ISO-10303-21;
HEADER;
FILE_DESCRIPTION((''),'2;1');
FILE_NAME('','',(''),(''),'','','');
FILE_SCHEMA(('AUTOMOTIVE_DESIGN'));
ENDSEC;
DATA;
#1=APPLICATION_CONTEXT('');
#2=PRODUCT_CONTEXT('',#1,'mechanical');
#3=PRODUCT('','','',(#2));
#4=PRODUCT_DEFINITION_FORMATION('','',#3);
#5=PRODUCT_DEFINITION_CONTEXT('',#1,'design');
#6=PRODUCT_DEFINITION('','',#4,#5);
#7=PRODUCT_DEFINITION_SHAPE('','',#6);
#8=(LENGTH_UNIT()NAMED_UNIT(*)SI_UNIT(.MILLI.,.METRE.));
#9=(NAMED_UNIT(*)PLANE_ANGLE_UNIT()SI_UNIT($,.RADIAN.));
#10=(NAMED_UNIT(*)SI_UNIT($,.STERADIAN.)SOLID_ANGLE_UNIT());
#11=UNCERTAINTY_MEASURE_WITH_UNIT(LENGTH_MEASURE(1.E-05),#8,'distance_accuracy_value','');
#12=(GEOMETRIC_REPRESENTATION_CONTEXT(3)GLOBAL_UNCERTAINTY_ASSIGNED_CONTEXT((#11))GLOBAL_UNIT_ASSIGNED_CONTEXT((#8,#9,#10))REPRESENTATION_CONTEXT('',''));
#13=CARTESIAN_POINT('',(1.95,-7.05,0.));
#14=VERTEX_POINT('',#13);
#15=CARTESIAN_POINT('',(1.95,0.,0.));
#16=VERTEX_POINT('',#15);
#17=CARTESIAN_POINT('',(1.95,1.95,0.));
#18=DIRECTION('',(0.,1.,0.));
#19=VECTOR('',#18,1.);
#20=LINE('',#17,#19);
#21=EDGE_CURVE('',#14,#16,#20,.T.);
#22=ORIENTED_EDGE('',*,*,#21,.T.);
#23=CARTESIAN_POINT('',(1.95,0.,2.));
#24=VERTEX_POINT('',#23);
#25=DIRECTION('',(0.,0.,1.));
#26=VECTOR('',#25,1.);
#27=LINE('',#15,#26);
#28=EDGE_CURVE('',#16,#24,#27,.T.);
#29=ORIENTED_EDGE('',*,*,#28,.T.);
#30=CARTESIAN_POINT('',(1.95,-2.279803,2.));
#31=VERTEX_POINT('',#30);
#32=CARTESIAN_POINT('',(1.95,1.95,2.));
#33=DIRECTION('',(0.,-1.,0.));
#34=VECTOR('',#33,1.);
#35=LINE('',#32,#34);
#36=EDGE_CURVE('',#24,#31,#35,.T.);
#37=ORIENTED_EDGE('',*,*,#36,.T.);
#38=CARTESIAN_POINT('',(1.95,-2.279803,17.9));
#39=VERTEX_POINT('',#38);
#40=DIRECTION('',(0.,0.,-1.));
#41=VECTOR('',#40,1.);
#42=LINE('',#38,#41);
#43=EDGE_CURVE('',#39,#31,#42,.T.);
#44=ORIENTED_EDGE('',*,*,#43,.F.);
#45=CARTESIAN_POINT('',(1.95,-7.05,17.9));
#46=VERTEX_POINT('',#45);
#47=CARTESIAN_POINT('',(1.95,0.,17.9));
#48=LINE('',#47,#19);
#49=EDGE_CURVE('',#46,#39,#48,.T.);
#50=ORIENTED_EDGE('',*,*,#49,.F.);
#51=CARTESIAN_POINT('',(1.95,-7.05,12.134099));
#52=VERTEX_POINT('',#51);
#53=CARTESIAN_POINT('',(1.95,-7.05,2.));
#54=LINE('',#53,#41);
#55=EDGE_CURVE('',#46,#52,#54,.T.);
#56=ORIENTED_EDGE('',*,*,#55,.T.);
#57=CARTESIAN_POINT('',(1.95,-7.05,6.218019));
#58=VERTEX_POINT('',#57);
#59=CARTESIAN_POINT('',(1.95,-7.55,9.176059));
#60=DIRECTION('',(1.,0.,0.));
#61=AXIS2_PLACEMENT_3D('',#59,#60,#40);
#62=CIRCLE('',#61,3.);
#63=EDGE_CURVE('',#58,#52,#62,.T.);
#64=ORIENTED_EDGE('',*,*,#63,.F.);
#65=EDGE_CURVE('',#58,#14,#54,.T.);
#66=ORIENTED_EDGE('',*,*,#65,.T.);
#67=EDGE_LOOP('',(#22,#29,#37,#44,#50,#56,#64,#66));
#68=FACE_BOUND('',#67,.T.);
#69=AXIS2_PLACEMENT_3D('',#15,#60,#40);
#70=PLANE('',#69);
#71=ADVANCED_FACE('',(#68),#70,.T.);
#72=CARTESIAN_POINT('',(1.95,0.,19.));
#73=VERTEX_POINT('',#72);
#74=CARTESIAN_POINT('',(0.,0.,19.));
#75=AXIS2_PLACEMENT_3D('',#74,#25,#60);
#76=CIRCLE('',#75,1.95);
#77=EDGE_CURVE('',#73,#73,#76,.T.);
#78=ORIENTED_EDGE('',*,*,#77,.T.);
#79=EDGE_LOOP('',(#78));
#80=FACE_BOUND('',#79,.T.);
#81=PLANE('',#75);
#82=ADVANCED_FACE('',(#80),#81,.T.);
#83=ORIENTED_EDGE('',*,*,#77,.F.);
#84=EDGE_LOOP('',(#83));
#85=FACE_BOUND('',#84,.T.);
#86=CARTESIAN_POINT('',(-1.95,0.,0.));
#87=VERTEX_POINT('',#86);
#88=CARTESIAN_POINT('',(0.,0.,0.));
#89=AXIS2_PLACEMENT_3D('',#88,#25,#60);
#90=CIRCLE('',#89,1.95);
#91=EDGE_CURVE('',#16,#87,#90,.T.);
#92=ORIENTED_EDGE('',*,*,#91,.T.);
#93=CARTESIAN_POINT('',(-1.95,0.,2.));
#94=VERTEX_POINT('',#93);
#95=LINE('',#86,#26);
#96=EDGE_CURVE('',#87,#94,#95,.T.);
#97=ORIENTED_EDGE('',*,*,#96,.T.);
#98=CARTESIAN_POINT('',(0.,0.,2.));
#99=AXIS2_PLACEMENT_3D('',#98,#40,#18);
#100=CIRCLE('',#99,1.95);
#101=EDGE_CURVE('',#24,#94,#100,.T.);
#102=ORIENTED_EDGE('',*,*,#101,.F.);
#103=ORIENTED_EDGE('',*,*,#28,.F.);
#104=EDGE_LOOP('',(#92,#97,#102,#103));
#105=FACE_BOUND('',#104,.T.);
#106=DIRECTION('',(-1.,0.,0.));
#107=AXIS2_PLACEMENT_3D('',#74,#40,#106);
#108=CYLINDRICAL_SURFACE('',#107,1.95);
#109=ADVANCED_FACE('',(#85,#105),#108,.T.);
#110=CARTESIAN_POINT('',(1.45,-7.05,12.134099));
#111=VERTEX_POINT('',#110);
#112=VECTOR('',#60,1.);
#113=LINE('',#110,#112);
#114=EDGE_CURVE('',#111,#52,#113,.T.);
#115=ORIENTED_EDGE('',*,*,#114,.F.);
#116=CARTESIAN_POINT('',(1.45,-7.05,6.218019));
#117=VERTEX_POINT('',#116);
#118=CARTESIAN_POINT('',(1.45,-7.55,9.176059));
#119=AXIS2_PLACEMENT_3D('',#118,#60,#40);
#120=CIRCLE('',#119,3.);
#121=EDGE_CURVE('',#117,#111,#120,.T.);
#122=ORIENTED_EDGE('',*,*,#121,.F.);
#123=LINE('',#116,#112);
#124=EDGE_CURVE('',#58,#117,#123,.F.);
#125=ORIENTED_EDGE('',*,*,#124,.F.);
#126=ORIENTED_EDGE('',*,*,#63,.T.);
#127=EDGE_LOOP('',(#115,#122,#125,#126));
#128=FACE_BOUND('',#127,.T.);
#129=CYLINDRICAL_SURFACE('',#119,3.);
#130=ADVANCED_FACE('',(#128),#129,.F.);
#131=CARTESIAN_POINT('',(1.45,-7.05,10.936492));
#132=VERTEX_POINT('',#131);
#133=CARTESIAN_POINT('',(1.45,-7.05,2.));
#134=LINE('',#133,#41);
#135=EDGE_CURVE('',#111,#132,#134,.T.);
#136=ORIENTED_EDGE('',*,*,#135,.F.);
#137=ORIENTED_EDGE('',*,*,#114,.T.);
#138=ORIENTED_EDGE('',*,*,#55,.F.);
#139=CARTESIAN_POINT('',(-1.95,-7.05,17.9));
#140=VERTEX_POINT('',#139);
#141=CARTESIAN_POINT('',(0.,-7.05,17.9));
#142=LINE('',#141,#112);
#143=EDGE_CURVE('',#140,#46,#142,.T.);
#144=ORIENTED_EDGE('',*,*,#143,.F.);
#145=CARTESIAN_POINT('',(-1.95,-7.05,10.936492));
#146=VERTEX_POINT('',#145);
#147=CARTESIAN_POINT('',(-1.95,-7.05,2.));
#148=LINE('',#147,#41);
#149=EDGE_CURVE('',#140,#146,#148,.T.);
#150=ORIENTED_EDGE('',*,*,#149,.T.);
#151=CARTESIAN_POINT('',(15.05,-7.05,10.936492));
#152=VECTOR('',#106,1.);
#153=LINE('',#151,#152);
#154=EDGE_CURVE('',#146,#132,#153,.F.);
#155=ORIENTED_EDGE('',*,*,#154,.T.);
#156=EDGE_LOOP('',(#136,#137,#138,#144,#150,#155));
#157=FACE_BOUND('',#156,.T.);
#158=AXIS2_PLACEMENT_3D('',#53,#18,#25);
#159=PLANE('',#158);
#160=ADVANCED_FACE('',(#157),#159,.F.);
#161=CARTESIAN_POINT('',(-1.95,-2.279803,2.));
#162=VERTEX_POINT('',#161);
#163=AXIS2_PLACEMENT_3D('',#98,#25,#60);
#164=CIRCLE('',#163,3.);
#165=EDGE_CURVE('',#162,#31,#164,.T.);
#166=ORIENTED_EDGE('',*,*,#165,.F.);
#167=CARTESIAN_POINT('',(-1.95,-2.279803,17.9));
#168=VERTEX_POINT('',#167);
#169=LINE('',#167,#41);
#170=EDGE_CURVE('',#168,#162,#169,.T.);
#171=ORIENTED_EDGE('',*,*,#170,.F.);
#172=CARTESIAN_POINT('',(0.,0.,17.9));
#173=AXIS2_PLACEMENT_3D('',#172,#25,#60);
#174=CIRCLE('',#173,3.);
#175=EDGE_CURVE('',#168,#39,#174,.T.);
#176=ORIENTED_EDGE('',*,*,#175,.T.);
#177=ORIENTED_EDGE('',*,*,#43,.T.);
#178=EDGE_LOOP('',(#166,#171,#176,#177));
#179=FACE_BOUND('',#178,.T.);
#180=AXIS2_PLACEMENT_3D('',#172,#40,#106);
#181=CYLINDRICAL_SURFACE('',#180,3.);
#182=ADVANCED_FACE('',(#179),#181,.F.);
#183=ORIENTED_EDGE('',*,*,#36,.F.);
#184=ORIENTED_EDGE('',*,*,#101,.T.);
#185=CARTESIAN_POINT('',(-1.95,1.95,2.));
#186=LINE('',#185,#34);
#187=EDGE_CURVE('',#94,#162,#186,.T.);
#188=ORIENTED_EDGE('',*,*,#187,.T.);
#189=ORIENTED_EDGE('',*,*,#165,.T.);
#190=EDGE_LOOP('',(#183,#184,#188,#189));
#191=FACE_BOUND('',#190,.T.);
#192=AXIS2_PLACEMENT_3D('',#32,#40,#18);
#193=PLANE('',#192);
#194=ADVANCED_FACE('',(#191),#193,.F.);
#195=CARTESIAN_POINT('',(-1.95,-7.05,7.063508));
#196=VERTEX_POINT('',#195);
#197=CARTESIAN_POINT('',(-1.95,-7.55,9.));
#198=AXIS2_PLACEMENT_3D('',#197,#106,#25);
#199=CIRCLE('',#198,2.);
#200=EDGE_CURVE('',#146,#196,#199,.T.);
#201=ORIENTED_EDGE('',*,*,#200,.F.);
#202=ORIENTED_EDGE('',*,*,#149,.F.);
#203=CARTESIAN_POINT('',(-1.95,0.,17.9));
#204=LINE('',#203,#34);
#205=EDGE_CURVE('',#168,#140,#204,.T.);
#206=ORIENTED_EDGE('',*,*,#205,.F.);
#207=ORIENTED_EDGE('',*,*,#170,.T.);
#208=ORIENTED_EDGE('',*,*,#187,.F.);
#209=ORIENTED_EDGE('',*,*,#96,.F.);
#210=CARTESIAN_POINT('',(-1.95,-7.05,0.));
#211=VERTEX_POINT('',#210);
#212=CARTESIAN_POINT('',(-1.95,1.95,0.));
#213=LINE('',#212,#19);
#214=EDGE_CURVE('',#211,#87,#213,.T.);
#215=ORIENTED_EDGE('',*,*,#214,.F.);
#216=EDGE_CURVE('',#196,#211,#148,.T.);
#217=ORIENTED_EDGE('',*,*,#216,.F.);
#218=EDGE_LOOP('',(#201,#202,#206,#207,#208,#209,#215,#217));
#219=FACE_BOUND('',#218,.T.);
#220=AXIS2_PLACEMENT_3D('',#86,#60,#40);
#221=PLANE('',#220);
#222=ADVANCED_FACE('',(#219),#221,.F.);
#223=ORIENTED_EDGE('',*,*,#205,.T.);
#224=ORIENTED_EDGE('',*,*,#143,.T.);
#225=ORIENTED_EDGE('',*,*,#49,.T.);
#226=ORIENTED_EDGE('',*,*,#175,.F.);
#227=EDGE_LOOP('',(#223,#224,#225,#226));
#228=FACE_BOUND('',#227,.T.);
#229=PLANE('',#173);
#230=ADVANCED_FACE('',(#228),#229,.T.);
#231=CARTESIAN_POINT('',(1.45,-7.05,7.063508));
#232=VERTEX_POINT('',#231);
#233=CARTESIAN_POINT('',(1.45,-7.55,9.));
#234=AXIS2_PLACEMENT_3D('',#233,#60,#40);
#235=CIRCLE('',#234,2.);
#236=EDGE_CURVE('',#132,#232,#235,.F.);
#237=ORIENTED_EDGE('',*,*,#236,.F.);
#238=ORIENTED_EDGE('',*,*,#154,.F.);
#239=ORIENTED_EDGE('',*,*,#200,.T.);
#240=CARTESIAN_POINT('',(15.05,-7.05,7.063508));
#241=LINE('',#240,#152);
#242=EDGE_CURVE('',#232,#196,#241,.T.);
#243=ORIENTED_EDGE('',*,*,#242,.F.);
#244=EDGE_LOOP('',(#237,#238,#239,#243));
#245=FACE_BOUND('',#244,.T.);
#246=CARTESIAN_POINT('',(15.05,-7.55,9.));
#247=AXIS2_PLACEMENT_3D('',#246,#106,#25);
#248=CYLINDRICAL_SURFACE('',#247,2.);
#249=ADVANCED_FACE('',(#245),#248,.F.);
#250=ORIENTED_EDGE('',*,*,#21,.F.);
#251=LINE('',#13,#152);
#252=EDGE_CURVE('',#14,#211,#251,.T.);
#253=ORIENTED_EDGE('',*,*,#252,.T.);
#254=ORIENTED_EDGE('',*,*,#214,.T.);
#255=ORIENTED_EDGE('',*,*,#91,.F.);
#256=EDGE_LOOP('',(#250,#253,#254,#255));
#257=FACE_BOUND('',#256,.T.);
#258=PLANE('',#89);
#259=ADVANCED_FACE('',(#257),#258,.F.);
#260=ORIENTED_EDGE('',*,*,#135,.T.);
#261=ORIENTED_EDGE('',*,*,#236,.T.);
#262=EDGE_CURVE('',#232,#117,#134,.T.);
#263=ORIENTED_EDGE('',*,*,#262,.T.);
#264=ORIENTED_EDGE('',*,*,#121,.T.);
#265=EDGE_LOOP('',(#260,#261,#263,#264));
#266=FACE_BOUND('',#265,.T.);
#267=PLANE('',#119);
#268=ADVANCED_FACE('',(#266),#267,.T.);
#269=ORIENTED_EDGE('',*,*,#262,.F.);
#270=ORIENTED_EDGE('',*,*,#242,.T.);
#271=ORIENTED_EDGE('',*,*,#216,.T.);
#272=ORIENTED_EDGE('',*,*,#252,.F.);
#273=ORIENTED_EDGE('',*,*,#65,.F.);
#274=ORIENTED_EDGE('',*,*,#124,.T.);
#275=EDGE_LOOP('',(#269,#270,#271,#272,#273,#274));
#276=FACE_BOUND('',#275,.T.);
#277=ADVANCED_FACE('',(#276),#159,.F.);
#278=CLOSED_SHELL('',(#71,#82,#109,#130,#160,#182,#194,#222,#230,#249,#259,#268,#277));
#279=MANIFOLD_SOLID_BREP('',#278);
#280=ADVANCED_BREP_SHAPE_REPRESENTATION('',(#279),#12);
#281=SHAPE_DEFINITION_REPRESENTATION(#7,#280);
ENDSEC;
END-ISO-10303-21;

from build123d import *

# Parameters (mm, degrees)
SKETCH_1_R          = 1.95
EXTRUDE_1_DEPTH     = 19
SKETCH_4_W          = 2
SKETCH_4_H          = 9
EXTRUDE_2_DEPTH     = 1.95
CUT_EXTRUDE_1_DEPTH = 21.359396
EXTRUDE_4_DEPTH     = 15.9
SKETCH_9_R          = 2
CUT_EXTRUDE_2_DEPTH = 17
SKETCH_11_R         = 3
CUT_EXTRUDE_4_DEPTH = 0.5


with BuildPart() as part:
    # 스케치1 → 보스-돌출1 (new body)
    with BuildSketch(Plane.XY):
        Circle(SKETCH_1_R)
    extrude(amount=EXTRUDE_1_DEPTH)

    # 스케치4 → 보스-돌출2 (add, symmetric)
    with BuildSketch(Plane(origin=(0, 0, 0), x_dir=(0, 0, -1), z_dir=(1, 0, 0))):
        with Locations((-1, -2.55)):
            Rectangle(SKETCH_4_W, SKETCH_4_H)
    extrude(amount=EXTRUDE_2_DEPTH, both=True)

    # 스케치5 → 컷-돌출1 (cut, through all)
    with BuildSketch(Plane.XY.offset(19)):
        with BuildLine():
            Line((-1.95, 1.95), (-1.95, 0))
            ThreePointArc((-1.95, 0), (-1.378858, 1.378858), (0, 1.95))
            Line((0, 1.95), (-1.95, 1.95))
        make_face()
        with BuildLine():
            ThreePointArc((0, 1.95), (1.378858, 1.378858), (1.95, 0))
            Line((1.95, 0), (1.95, 1.95))
            Line((1.95, 1.95), (0, 1.95))
        make_face()
    extrude(amount=-CUT_EXTRUDE_1_DEPTH, mode=Mode.SUBTRACT)

    # 스케치8 → 보스-돌출4 (add)
    with BuildSketch(Plane.XY.offset(2)):
        with BuildLine():
            ThreePointArc((1.95, -2.279803), (0, -3), (-1.95, -2.279803))
            Line((-1.95, -2.279803), (-1.95, -7.05))
            Line((-1.95, -7.05), (1.95, -7.05))
            Line((1.95, -7.05), (1.95, -2.279803))
        make_face()
    extrude(amount=EXTRUDE_4_DEPTH)

    # 스케치9 → 컷-돌출2 (cut)
    with BuildSketch(Plane.ZY.offset(1.95)):
        with Locations((9, -7.55)):
            Circle(SKETCH_9_R)
    extrude(amount=-CUT_EXTRUDE_2_DEPTH, mode=Mode.SUBTRACT)

    # 스케치11 → 컷-돌출4 (cut)
    with BuildSketch(Plane(origin=(1.95, 0, 0), x_dir=(0, 0, -1), z_dir=(1, 0, 0))):
        with Locations((-9.176059, -7.55)):
            Circle(SKETCH_11_R)
    extrude(amount=-CUT_EXTRUDE_4_DEPTH, mode=Mode.SUBTRACT)


solid = part.part
